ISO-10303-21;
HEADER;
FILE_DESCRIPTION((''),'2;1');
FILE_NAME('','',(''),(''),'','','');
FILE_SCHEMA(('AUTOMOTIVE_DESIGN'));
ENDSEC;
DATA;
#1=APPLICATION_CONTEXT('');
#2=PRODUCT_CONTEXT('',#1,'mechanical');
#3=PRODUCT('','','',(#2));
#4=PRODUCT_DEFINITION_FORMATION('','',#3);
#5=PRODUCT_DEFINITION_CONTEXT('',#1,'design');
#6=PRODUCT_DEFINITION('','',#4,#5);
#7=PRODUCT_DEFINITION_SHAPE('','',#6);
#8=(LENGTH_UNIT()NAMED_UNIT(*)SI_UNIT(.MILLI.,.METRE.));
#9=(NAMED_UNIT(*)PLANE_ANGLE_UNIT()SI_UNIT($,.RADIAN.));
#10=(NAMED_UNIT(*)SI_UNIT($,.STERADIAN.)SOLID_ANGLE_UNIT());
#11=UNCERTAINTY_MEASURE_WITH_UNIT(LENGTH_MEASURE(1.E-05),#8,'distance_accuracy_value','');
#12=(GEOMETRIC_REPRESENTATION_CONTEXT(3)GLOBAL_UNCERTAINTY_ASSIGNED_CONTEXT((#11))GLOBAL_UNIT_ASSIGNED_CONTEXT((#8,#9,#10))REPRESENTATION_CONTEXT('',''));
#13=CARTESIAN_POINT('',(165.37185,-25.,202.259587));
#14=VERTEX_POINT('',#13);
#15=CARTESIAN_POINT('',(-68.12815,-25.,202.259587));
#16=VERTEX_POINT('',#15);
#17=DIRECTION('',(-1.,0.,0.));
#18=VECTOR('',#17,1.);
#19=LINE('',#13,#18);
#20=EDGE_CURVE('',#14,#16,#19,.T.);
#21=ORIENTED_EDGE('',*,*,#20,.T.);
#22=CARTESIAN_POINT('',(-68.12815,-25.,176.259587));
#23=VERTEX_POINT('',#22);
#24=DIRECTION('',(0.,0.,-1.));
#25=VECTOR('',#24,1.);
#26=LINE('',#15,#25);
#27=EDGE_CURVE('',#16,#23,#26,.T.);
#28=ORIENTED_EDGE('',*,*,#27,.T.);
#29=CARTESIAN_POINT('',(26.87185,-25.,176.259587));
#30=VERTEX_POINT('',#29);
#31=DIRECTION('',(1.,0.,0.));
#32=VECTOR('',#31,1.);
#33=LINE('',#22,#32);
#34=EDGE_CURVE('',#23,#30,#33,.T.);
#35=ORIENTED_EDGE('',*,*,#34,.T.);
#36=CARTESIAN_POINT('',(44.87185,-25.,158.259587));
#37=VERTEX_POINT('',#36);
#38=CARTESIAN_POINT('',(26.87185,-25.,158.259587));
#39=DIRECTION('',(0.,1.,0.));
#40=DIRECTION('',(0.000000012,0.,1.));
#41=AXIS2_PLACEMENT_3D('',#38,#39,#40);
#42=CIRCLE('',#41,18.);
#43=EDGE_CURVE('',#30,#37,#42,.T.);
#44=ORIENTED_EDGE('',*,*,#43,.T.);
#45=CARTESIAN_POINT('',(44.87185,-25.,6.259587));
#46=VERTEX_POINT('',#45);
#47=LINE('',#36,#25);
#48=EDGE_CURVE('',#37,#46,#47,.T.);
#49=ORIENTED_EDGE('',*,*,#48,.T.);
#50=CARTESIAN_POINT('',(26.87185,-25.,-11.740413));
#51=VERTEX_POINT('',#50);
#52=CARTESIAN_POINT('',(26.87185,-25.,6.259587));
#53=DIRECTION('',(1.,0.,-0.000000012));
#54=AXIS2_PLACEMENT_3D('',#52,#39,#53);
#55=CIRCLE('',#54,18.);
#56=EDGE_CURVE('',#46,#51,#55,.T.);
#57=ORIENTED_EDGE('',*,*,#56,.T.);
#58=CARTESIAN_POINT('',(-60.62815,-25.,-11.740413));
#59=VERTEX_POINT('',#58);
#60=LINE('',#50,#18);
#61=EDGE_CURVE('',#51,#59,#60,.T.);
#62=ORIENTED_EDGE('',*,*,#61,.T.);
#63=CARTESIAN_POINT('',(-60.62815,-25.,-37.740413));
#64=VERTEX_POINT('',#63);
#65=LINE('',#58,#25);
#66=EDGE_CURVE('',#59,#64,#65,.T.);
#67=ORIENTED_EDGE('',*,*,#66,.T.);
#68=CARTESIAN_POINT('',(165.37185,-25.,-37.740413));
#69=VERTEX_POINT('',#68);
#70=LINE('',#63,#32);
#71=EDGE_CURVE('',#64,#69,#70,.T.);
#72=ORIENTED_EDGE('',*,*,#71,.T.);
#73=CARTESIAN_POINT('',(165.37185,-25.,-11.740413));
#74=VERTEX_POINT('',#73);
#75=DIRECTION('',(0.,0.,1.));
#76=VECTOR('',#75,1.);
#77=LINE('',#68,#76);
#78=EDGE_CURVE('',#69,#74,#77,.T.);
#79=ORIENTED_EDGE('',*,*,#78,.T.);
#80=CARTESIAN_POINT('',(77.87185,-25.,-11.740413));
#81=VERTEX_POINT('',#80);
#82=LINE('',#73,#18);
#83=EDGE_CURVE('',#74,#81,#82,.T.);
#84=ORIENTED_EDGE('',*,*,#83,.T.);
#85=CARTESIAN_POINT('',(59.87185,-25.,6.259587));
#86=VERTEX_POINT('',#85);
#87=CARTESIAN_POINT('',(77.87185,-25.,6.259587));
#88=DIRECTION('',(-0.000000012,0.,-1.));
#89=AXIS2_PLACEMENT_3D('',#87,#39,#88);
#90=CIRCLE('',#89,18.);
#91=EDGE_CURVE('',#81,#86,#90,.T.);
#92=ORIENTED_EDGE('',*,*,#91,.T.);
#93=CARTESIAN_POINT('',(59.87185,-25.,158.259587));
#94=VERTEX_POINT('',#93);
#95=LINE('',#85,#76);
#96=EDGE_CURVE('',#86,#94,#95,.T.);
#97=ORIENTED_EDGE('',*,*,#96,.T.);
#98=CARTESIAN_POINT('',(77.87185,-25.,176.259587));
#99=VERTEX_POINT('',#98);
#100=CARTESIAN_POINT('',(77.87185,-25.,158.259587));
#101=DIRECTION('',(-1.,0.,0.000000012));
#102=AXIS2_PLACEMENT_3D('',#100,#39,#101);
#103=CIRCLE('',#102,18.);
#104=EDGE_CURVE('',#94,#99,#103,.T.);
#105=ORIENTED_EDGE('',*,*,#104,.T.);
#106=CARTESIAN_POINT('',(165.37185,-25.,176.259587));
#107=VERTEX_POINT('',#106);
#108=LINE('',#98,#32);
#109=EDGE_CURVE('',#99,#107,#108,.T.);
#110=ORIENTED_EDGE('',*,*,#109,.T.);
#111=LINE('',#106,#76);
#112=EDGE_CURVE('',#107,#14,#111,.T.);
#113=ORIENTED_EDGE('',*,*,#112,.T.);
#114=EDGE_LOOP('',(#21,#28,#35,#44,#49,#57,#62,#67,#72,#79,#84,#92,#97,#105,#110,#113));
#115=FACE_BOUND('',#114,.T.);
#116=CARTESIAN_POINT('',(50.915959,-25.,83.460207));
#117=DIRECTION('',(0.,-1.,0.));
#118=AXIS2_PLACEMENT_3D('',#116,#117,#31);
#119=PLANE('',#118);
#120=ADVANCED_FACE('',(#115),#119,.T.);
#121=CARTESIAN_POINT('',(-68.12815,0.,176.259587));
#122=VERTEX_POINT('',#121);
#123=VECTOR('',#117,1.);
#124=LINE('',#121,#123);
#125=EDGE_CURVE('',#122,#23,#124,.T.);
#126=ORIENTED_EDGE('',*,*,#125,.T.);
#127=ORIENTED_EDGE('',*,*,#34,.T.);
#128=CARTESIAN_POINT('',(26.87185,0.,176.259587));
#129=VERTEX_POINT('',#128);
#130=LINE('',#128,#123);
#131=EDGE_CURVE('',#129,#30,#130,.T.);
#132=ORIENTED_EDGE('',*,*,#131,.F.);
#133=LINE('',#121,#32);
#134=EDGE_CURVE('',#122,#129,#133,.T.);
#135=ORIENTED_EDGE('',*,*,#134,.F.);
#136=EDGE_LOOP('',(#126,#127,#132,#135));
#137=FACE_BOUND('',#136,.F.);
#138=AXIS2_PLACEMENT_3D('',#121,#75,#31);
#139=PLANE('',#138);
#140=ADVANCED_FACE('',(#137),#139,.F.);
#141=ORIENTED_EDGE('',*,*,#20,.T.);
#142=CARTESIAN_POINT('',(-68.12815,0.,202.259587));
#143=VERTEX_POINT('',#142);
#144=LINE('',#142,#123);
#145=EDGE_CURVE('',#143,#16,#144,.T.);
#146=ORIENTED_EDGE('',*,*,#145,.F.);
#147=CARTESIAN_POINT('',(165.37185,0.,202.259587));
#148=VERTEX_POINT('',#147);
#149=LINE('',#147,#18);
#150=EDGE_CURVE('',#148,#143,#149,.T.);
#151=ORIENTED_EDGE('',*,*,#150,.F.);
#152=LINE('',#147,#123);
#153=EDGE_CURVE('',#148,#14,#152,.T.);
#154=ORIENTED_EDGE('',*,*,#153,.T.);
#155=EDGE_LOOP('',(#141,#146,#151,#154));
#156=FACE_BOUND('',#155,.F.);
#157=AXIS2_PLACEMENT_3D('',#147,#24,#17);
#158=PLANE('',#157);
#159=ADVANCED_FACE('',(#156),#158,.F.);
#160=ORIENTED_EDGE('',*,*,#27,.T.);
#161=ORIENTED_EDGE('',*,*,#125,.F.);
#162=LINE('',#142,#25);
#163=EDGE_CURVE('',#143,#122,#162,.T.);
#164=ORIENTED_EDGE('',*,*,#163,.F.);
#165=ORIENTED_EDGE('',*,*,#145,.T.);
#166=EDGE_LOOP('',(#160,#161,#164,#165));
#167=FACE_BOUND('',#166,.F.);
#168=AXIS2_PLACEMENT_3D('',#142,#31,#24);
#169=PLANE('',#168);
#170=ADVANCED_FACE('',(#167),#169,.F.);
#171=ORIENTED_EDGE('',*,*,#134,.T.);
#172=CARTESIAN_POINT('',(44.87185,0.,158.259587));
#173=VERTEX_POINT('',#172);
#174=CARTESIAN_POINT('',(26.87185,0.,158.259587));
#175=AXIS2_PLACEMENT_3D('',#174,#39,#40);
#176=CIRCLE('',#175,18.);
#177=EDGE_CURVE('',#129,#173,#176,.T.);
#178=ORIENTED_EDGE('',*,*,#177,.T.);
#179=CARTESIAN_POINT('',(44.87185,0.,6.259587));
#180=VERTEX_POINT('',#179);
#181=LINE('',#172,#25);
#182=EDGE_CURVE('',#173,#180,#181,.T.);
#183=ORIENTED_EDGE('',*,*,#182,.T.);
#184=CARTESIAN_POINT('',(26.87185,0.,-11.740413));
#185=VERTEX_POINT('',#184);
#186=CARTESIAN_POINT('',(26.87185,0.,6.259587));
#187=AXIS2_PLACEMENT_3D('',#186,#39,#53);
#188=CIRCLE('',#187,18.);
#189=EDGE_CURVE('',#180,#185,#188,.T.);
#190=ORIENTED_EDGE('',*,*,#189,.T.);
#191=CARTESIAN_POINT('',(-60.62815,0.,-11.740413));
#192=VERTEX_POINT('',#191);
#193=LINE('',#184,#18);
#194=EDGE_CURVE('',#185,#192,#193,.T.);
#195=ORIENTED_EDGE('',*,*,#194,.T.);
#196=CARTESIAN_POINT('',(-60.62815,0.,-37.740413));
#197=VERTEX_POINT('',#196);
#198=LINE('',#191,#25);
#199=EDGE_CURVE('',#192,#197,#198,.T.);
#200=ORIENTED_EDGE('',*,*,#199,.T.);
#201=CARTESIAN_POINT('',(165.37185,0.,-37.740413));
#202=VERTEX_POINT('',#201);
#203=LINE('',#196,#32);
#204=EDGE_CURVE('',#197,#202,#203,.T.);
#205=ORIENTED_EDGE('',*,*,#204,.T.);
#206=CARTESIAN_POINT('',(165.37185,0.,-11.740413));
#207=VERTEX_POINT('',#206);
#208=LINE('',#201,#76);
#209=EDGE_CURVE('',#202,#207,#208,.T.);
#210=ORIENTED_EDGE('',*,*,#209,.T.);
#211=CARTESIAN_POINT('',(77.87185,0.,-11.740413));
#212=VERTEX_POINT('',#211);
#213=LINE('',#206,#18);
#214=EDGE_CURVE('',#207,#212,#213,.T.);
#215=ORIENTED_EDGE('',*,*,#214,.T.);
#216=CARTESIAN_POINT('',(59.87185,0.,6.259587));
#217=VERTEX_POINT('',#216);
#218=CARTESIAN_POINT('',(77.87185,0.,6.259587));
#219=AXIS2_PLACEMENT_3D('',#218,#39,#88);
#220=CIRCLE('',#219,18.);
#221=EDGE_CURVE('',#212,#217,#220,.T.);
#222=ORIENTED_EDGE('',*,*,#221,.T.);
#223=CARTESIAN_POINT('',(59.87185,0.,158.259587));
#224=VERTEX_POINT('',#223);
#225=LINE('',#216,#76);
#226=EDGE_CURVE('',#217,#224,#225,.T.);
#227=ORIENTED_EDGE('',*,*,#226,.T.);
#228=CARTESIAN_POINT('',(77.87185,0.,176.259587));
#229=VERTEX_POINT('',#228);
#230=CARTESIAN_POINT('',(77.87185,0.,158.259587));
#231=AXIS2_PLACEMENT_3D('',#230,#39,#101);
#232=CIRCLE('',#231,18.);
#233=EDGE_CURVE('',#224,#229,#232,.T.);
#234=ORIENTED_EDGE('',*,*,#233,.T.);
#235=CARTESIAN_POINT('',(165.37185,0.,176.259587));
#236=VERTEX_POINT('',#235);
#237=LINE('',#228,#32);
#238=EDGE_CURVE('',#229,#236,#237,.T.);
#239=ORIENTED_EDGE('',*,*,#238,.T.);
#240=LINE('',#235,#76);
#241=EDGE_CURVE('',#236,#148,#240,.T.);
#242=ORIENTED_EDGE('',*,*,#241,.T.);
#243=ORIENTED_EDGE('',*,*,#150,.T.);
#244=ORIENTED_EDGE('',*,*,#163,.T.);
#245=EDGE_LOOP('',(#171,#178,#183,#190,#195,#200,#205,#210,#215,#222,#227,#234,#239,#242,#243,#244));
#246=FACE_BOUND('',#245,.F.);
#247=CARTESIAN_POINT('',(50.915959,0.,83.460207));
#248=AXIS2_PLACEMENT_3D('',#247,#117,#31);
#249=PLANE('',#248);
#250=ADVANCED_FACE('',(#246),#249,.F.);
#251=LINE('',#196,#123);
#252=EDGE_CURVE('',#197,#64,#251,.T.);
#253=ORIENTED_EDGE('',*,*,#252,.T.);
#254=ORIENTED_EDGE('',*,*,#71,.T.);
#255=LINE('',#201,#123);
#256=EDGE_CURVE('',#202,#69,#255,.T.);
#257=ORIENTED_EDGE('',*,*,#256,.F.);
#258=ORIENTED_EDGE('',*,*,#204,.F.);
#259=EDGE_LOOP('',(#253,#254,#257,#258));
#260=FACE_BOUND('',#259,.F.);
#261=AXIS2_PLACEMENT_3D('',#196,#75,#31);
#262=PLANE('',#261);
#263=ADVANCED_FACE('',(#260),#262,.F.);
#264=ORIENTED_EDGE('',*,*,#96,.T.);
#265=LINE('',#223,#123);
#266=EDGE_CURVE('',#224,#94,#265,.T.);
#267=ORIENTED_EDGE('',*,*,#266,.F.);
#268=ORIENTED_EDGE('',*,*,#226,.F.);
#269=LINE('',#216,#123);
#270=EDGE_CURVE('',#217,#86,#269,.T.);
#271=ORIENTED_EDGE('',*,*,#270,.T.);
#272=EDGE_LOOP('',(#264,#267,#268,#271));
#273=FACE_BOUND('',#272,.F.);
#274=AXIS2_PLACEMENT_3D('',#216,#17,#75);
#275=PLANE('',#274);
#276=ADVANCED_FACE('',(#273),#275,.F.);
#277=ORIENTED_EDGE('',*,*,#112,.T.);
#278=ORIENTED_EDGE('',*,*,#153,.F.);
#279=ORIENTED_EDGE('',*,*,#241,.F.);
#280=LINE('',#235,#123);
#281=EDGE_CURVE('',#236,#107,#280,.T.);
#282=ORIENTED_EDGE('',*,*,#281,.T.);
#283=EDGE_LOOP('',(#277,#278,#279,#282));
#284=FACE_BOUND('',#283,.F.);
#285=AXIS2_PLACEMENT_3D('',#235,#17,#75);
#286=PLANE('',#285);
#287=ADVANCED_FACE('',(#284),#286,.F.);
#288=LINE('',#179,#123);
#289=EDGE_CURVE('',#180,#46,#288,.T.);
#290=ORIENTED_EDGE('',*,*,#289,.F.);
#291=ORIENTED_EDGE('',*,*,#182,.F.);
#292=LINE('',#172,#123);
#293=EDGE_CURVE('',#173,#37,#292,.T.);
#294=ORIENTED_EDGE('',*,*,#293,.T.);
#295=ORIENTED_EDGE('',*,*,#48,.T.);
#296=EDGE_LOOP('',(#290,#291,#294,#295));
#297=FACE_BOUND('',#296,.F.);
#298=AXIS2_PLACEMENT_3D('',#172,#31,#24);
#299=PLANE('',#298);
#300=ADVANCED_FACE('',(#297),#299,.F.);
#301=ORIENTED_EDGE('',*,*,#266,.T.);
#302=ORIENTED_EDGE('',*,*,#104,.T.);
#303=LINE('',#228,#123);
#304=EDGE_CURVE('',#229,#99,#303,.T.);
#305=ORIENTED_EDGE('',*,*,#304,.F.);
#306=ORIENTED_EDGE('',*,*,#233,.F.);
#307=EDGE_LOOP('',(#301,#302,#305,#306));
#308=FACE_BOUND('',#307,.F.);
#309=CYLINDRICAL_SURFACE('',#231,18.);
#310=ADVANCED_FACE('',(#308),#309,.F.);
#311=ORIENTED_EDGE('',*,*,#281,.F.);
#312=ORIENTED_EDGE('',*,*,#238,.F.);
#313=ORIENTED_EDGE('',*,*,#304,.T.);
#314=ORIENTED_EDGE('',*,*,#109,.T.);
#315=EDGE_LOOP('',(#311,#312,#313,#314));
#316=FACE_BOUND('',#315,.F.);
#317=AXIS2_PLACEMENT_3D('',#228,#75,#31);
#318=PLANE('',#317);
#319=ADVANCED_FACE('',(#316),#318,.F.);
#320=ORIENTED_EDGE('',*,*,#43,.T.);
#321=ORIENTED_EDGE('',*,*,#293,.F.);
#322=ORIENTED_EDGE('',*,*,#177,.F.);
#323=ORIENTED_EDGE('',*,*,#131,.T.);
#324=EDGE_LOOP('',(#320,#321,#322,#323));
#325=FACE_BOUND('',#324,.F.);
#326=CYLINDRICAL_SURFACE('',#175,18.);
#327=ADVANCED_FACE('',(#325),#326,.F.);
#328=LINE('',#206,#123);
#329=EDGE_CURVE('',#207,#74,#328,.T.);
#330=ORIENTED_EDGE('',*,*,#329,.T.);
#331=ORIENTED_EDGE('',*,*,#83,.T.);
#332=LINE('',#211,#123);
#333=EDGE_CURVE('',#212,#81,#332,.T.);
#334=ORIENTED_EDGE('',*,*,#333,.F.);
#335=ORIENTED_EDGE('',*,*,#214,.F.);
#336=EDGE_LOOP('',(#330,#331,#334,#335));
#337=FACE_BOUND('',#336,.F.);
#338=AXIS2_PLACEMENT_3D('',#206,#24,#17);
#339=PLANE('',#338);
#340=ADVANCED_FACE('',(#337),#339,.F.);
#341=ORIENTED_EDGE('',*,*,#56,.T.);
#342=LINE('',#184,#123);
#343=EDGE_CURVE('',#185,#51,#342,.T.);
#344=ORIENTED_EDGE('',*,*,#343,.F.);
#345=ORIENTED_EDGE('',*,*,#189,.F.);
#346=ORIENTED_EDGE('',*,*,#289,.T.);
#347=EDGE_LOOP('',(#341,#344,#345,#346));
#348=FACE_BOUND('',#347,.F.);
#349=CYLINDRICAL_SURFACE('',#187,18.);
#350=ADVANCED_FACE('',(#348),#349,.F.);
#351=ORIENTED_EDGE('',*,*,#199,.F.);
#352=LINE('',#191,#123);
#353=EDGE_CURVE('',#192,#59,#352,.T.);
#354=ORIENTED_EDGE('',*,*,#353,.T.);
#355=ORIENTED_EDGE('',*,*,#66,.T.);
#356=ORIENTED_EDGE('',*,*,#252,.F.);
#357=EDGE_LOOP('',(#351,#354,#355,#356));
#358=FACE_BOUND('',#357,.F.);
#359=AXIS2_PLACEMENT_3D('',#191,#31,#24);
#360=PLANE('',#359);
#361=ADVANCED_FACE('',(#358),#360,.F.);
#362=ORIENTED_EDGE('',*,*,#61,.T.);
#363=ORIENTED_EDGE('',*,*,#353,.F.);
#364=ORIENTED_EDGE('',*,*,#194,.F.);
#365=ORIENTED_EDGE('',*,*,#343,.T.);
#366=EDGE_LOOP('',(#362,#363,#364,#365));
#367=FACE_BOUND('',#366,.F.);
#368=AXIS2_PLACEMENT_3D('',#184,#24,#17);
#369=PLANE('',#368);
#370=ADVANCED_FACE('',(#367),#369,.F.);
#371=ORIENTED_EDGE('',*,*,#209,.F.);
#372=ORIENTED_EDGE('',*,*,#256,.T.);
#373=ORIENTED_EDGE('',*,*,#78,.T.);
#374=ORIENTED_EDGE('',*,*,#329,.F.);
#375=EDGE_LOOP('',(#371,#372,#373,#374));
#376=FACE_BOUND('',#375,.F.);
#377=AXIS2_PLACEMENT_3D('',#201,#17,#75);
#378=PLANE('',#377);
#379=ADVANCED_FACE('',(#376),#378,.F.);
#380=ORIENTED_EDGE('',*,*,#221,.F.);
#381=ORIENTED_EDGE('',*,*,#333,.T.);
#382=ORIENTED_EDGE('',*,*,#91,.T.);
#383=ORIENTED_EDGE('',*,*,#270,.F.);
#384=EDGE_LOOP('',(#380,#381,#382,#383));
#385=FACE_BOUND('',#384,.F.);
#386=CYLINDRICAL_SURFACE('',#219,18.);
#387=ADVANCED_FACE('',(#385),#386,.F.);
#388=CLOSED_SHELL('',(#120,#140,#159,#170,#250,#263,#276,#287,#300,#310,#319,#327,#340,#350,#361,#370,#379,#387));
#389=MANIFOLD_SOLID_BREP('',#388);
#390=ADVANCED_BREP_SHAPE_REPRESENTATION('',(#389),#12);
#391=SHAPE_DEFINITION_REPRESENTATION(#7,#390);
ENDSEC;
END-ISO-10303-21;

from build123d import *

# Parameters (mm, degrees)
F1_DEPTH = 25


with BuildPart() as f1:
    # F0 (on Front) → F1 (new body)
    with BuildSketch(Plane.XZ):
        with BuildLine():
            Line((-60.62815, -11.740413), (-60.62815, -37.740413))
            Line((-60.62815, -37.740413), (165.37185, -37.740413))
            Line((165.37185, -37.740413), (165.37185, -11.740413))
            Line((165.37185, -11.740413), (77.87185, -11.740413))
            ThreePointArc((77.87185, -11.740413), (65.143928, -6.468335), (59.87185, 6.259587))
            Line((59.87185, 6.259587), (59.87185, 158.259587))
            ThreePointArc((59.87185, 158.259587), (65.143928, 170.987509), (77.87185, 176.259587))
            Line((77.87185, 176.259587), (165.37185, 176.259587))
            Line((165.37185, 176.259587), (165.37185, 202.259587))
            Line((165.37185, 202.259587), (-68.12815, 202.259587))
            Line((-68.12815, 202.259587), (-68.12815, 176.259587))
            Line((-68.12815, 176.259587), (26.87185, 176.259587))
            ThreePointArc((26.87185, 176.259587), (39.599772, 170.987509), (44.87185, 158.259587))
            Line((44.87185, 158.259587), (44.87185, 6.259587))
            ThreePointArc((44.87185, 6.259587), (39.599772, -6.468335), (26.87185, -11.740413))
            Line((26.87185, -11.740413), (-60.62815, -11.740413))
        make_face()
    extrude(amount=F1_DEPTH)


solid = f1.part
